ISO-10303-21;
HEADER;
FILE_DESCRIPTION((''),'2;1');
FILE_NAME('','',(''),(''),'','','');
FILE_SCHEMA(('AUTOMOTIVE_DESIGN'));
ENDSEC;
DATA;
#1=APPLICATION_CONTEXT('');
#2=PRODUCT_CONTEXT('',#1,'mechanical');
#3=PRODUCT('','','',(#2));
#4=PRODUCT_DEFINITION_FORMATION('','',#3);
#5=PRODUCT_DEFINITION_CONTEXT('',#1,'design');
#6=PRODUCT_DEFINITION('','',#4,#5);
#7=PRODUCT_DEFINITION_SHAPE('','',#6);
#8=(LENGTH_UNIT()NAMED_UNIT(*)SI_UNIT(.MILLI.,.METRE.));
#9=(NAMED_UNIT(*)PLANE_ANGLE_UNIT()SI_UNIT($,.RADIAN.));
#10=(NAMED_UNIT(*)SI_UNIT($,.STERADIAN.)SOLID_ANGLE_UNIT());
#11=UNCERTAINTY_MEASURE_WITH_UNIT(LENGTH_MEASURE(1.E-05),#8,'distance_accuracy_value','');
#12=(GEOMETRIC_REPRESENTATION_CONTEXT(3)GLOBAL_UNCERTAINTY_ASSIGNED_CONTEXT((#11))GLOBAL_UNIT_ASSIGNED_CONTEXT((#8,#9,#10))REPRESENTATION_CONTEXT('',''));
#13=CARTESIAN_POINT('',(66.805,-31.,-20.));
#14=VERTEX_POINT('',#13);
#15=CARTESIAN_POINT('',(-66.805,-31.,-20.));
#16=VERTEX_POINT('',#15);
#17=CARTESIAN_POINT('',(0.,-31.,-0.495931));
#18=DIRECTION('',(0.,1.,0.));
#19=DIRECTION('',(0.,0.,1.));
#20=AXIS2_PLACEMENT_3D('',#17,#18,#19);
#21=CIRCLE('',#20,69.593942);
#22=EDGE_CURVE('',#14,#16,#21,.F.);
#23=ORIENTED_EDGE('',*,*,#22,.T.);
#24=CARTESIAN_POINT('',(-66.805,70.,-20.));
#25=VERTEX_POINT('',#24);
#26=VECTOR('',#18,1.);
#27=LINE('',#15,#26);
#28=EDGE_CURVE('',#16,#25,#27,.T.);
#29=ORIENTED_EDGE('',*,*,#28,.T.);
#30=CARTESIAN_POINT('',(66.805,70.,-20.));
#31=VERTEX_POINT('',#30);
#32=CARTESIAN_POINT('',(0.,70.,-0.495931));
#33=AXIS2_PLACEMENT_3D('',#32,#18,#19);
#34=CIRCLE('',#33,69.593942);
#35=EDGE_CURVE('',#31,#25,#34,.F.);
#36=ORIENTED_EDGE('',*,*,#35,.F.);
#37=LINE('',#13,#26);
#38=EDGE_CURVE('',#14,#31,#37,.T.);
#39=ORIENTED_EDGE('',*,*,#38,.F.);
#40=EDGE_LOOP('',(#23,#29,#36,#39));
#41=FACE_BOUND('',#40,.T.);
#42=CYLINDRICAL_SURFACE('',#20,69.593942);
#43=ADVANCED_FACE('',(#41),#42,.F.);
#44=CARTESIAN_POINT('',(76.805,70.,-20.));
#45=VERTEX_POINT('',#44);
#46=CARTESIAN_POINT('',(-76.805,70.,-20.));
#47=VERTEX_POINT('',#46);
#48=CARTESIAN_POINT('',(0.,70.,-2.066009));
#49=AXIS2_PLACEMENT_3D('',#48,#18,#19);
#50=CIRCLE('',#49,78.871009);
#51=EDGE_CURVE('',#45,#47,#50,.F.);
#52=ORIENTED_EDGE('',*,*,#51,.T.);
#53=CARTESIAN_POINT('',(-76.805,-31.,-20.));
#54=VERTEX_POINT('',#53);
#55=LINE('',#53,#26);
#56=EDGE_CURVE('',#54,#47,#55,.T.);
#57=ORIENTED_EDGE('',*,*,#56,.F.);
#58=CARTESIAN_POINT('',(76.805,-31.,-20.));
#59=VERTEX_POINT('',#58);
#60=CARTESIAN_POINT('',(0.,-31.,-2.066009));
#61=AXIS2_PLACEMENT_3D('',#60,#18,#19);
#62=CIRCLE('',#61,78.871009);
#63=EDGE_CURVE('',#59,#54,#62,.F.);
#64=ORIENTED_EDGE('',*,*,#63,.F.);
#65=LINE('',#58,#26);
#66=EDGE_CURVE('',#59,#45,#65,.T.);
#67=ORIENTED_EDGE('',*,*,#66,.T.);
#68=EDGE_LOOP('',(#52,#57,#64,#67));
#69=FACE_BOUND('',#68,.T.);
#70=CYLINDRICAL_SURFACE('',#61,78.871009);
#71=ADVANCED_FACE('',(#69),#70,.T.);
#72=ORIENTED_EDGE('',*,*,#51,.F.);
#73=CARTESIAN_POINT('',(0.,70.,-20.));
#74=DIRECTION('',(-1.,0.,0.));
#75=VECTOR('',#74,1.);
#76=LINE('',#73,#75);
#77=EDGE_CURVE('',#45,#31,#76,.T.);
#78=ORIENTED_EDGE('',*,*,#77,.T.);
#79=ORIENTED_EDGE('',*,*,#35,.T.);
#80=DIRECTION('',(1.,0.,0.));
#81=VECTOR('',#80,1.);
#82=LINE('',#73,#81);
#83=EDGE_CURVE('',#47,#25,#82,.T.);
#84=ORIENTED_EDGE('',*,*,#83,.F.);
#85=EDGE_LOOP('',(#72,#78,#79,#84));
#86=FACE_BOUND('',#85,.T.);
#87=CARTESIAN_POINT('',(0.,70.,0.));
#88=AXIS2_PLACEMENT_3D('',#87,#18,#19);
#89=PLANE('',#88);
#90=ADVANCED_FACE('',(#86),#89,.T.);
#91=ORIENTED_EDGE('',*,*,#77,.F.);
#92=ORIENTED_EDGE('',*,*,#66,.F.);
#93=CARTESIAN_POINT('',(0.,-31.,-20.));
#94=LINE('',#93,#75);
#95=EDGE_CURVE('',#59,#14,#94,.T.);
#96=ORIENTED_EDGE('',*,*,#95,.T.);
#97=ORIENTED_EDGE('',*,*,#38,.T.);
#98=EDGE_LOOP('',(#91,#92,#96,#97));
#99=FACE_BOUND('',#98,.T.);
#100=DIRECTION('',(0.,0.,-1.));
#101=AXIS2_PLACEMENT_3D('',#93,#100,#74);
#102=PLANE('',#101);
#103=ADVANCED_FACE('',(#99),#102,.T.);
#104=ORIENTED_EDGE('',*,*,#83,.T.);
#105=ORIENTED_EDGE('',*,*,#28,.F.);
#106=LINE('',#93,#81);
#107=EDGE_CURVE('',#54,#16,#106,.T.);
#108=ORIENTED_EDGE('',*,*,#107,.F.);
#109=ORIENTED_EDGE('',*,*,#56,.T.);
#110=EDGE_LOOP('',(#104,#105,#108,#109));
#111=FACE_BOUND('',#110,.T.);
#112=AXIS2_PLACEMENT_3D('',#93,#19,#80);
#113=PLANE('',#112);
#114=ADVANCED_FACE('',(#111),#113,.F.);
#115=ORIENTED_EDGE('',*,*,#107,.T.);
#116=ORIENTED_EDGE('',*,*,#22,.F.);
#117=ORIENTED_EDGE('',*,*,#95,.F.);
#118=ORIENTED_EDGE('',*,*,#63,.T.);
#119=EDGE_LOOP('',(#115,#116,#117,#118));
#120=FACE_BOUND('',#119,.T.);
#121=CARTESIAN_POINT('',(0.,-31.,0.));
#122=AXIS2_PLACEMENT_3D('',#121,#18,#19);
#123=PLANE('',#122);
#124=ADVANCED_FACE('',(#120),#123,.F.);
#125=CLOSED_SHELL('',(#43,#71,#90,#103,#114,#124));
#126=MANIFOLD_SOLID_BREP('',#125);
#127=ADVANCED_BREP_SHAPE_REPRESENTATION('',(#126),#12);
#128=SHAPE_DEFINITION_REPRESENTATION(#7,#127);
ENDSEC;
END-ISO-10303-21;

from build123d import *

# Parameters (mm, degrees)
BOSS_EXTRUDE5_DEPTH      = 70
BOSS_EXTRUDE5_DEPTH_BACK = 31


with BuildPart() as part:
    # Sketch40 → Boss-Extrude5 (new, two sides: drawn at the far end of the back side and taken through both)
    with BuildSketch(Plane(origin=(0, 0, 0), x_dir=(1, 0, 0), z_dir=(0, 1, 0)).offset(-BOSS_EXTRUDE5_DEPTH_BACK)):
        with BuildLine():
            Line((76.805, 20), (66.805, 20))
            ThreePointArc((66.805, 20), (0, -69.098010198), (-66.805, 20))
            Line((-66.805, 20), (-76.805, 20))
            ThreePointArc((-76.805, 20), (0, -76.805), (76.805, 20))
        make_face()
    extrude(amount=BOSS_EXTRUDE5_DEPTH + BOSS_EXTRUDE5_DEPTH_BACK)


solid = part.part
